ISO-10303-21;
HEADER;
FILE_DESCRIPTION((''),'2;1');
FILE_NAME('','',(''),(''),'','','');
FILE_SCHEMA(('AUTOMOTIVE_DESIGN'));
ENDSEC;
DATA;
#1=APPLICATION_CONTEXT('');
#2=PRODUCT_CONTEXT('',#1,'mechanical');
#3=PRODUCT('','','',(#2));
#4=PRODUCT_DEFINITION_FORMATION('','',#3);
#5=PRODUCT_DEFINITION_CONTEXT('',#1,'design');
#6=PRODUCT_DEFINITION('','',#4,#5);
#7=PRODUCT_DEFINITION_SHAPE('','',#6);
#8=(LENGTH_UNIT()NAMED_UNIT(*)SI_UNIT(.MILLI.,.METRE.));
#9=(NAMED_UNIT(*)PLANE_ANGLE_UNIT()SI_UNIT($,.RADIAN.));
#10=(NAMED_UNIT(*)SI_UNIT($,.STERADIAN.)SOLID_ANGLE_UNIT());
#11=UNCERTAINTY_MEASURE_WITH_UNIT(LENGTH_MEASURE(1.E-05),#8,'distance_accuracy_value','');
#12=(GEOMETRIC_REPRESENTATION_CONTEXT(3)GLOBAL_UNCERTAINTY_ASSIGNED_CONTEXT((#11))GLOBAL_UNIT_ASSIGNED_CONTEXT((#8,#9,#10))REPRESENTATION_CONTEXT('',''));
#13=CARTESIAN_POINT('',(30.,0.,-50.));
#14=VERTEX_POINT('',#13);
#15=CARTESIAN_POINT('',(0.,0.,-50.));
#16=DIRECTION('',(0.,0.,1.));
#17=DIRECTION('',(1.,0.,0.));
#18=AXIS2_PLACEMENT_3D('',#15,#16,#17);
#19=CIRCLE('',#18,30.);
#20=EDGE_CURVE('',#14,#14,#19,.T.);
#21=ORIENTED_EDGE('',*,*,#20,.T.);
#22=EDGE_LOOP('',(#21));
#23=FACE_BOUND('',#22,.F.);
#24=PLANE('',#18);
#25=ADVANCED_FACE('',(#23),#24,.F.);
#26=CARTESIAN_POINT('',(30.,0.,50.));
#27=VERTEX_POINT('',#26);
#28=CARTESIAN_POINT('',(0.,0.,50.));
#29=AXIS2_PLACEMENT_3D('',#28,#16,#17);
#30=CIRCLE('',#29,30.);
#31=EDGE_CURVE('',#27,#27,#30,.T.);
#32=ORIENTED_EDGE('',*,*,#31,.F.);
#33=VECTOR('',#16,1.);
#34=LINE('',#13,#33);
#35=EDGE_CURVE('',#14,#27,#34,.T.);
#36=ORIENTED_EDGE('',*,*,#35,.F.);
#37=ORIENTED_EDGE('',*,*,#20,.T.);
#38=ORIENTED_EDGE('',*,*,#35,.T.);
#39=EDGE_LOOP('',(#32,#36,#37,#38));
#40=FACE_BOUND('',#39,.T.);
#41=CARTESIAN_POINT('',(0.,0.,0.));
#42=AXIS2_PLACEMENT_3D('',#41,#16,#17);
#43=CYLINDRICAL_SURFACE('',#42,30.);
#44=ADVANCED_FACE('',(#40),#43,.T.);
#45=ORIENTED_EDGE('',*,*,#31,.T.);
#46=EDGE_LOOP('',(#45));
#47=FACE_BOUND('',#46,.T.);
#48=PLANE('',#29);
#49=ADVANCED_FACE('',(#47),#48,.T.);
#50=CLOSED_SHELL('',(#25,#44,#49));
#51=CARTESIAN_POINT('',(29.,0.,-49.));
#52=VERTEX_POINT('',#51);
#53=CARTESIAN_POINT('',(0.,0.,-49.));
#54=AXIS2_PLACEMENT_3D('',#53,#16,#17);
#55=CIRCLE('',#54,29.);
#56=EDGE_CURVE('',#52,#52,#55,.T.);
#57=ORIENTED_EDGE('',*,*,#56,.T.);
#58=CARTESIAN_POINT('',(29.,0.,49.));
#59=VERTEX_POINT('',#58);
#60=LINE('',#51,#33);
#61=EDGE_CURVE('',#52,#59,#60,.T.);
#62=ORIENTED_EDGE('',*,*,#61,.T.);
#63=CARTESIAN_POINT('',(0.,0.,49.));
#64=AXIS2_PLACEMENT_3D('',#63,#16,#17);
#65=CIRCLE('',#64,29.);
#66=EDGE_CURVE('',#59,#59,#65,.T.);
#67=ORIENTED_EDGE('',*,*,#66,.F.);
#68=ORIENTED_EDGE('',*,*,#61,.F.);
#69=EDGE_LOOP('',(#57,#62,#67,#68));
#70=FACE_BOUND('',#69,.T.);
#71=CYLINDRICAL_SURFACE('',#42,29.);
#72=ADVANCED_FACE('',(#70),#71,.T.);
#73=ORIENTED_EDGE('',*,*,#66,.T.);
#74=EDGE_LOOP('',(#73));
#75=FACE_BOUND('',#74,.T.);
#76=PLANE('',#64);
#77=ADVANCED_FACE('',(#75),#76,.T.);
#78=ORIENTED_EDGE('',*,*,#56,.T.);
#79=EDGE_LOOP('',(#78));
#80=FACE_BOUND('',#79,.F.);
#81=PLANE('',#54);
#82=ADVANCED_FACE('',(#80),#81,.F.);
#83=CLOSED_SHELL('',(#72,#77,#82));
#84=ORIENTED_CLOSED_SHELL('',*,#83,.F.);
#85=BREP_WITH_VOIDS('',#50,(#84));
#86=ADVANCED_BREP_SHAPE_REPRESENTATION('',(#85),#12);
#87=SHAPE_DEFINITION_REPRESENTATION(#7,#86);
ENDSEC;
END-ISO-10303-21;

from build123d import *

# Parameters (mm, degrees)
F0_R     = 30
F1_DEPTH = 50
F2_R     = 29
F3_DEPTH = 49


with BuildPart() as f1:
    # F0 (on Top) → F1 (new body, symmetric)
    with BuildSketch(Plane.XY):
        Circle(F0_R)
    extrude(amount=F1_DEPTH, both=True)


with BuildPart() as f3:
    # F2 (on Top) → F3 (new body, symmetric)
    with BuildSketch(Plane.XY):
        Circle(F2_R)
    extrude(amount=F3_DEPTH, both=True)


with BuildPart() as f1_1:
    add(f1.part)

    # F4: cut F3
    add(f3.part, mode=Mode.SUBTRACT)


solid = f1_1.part
